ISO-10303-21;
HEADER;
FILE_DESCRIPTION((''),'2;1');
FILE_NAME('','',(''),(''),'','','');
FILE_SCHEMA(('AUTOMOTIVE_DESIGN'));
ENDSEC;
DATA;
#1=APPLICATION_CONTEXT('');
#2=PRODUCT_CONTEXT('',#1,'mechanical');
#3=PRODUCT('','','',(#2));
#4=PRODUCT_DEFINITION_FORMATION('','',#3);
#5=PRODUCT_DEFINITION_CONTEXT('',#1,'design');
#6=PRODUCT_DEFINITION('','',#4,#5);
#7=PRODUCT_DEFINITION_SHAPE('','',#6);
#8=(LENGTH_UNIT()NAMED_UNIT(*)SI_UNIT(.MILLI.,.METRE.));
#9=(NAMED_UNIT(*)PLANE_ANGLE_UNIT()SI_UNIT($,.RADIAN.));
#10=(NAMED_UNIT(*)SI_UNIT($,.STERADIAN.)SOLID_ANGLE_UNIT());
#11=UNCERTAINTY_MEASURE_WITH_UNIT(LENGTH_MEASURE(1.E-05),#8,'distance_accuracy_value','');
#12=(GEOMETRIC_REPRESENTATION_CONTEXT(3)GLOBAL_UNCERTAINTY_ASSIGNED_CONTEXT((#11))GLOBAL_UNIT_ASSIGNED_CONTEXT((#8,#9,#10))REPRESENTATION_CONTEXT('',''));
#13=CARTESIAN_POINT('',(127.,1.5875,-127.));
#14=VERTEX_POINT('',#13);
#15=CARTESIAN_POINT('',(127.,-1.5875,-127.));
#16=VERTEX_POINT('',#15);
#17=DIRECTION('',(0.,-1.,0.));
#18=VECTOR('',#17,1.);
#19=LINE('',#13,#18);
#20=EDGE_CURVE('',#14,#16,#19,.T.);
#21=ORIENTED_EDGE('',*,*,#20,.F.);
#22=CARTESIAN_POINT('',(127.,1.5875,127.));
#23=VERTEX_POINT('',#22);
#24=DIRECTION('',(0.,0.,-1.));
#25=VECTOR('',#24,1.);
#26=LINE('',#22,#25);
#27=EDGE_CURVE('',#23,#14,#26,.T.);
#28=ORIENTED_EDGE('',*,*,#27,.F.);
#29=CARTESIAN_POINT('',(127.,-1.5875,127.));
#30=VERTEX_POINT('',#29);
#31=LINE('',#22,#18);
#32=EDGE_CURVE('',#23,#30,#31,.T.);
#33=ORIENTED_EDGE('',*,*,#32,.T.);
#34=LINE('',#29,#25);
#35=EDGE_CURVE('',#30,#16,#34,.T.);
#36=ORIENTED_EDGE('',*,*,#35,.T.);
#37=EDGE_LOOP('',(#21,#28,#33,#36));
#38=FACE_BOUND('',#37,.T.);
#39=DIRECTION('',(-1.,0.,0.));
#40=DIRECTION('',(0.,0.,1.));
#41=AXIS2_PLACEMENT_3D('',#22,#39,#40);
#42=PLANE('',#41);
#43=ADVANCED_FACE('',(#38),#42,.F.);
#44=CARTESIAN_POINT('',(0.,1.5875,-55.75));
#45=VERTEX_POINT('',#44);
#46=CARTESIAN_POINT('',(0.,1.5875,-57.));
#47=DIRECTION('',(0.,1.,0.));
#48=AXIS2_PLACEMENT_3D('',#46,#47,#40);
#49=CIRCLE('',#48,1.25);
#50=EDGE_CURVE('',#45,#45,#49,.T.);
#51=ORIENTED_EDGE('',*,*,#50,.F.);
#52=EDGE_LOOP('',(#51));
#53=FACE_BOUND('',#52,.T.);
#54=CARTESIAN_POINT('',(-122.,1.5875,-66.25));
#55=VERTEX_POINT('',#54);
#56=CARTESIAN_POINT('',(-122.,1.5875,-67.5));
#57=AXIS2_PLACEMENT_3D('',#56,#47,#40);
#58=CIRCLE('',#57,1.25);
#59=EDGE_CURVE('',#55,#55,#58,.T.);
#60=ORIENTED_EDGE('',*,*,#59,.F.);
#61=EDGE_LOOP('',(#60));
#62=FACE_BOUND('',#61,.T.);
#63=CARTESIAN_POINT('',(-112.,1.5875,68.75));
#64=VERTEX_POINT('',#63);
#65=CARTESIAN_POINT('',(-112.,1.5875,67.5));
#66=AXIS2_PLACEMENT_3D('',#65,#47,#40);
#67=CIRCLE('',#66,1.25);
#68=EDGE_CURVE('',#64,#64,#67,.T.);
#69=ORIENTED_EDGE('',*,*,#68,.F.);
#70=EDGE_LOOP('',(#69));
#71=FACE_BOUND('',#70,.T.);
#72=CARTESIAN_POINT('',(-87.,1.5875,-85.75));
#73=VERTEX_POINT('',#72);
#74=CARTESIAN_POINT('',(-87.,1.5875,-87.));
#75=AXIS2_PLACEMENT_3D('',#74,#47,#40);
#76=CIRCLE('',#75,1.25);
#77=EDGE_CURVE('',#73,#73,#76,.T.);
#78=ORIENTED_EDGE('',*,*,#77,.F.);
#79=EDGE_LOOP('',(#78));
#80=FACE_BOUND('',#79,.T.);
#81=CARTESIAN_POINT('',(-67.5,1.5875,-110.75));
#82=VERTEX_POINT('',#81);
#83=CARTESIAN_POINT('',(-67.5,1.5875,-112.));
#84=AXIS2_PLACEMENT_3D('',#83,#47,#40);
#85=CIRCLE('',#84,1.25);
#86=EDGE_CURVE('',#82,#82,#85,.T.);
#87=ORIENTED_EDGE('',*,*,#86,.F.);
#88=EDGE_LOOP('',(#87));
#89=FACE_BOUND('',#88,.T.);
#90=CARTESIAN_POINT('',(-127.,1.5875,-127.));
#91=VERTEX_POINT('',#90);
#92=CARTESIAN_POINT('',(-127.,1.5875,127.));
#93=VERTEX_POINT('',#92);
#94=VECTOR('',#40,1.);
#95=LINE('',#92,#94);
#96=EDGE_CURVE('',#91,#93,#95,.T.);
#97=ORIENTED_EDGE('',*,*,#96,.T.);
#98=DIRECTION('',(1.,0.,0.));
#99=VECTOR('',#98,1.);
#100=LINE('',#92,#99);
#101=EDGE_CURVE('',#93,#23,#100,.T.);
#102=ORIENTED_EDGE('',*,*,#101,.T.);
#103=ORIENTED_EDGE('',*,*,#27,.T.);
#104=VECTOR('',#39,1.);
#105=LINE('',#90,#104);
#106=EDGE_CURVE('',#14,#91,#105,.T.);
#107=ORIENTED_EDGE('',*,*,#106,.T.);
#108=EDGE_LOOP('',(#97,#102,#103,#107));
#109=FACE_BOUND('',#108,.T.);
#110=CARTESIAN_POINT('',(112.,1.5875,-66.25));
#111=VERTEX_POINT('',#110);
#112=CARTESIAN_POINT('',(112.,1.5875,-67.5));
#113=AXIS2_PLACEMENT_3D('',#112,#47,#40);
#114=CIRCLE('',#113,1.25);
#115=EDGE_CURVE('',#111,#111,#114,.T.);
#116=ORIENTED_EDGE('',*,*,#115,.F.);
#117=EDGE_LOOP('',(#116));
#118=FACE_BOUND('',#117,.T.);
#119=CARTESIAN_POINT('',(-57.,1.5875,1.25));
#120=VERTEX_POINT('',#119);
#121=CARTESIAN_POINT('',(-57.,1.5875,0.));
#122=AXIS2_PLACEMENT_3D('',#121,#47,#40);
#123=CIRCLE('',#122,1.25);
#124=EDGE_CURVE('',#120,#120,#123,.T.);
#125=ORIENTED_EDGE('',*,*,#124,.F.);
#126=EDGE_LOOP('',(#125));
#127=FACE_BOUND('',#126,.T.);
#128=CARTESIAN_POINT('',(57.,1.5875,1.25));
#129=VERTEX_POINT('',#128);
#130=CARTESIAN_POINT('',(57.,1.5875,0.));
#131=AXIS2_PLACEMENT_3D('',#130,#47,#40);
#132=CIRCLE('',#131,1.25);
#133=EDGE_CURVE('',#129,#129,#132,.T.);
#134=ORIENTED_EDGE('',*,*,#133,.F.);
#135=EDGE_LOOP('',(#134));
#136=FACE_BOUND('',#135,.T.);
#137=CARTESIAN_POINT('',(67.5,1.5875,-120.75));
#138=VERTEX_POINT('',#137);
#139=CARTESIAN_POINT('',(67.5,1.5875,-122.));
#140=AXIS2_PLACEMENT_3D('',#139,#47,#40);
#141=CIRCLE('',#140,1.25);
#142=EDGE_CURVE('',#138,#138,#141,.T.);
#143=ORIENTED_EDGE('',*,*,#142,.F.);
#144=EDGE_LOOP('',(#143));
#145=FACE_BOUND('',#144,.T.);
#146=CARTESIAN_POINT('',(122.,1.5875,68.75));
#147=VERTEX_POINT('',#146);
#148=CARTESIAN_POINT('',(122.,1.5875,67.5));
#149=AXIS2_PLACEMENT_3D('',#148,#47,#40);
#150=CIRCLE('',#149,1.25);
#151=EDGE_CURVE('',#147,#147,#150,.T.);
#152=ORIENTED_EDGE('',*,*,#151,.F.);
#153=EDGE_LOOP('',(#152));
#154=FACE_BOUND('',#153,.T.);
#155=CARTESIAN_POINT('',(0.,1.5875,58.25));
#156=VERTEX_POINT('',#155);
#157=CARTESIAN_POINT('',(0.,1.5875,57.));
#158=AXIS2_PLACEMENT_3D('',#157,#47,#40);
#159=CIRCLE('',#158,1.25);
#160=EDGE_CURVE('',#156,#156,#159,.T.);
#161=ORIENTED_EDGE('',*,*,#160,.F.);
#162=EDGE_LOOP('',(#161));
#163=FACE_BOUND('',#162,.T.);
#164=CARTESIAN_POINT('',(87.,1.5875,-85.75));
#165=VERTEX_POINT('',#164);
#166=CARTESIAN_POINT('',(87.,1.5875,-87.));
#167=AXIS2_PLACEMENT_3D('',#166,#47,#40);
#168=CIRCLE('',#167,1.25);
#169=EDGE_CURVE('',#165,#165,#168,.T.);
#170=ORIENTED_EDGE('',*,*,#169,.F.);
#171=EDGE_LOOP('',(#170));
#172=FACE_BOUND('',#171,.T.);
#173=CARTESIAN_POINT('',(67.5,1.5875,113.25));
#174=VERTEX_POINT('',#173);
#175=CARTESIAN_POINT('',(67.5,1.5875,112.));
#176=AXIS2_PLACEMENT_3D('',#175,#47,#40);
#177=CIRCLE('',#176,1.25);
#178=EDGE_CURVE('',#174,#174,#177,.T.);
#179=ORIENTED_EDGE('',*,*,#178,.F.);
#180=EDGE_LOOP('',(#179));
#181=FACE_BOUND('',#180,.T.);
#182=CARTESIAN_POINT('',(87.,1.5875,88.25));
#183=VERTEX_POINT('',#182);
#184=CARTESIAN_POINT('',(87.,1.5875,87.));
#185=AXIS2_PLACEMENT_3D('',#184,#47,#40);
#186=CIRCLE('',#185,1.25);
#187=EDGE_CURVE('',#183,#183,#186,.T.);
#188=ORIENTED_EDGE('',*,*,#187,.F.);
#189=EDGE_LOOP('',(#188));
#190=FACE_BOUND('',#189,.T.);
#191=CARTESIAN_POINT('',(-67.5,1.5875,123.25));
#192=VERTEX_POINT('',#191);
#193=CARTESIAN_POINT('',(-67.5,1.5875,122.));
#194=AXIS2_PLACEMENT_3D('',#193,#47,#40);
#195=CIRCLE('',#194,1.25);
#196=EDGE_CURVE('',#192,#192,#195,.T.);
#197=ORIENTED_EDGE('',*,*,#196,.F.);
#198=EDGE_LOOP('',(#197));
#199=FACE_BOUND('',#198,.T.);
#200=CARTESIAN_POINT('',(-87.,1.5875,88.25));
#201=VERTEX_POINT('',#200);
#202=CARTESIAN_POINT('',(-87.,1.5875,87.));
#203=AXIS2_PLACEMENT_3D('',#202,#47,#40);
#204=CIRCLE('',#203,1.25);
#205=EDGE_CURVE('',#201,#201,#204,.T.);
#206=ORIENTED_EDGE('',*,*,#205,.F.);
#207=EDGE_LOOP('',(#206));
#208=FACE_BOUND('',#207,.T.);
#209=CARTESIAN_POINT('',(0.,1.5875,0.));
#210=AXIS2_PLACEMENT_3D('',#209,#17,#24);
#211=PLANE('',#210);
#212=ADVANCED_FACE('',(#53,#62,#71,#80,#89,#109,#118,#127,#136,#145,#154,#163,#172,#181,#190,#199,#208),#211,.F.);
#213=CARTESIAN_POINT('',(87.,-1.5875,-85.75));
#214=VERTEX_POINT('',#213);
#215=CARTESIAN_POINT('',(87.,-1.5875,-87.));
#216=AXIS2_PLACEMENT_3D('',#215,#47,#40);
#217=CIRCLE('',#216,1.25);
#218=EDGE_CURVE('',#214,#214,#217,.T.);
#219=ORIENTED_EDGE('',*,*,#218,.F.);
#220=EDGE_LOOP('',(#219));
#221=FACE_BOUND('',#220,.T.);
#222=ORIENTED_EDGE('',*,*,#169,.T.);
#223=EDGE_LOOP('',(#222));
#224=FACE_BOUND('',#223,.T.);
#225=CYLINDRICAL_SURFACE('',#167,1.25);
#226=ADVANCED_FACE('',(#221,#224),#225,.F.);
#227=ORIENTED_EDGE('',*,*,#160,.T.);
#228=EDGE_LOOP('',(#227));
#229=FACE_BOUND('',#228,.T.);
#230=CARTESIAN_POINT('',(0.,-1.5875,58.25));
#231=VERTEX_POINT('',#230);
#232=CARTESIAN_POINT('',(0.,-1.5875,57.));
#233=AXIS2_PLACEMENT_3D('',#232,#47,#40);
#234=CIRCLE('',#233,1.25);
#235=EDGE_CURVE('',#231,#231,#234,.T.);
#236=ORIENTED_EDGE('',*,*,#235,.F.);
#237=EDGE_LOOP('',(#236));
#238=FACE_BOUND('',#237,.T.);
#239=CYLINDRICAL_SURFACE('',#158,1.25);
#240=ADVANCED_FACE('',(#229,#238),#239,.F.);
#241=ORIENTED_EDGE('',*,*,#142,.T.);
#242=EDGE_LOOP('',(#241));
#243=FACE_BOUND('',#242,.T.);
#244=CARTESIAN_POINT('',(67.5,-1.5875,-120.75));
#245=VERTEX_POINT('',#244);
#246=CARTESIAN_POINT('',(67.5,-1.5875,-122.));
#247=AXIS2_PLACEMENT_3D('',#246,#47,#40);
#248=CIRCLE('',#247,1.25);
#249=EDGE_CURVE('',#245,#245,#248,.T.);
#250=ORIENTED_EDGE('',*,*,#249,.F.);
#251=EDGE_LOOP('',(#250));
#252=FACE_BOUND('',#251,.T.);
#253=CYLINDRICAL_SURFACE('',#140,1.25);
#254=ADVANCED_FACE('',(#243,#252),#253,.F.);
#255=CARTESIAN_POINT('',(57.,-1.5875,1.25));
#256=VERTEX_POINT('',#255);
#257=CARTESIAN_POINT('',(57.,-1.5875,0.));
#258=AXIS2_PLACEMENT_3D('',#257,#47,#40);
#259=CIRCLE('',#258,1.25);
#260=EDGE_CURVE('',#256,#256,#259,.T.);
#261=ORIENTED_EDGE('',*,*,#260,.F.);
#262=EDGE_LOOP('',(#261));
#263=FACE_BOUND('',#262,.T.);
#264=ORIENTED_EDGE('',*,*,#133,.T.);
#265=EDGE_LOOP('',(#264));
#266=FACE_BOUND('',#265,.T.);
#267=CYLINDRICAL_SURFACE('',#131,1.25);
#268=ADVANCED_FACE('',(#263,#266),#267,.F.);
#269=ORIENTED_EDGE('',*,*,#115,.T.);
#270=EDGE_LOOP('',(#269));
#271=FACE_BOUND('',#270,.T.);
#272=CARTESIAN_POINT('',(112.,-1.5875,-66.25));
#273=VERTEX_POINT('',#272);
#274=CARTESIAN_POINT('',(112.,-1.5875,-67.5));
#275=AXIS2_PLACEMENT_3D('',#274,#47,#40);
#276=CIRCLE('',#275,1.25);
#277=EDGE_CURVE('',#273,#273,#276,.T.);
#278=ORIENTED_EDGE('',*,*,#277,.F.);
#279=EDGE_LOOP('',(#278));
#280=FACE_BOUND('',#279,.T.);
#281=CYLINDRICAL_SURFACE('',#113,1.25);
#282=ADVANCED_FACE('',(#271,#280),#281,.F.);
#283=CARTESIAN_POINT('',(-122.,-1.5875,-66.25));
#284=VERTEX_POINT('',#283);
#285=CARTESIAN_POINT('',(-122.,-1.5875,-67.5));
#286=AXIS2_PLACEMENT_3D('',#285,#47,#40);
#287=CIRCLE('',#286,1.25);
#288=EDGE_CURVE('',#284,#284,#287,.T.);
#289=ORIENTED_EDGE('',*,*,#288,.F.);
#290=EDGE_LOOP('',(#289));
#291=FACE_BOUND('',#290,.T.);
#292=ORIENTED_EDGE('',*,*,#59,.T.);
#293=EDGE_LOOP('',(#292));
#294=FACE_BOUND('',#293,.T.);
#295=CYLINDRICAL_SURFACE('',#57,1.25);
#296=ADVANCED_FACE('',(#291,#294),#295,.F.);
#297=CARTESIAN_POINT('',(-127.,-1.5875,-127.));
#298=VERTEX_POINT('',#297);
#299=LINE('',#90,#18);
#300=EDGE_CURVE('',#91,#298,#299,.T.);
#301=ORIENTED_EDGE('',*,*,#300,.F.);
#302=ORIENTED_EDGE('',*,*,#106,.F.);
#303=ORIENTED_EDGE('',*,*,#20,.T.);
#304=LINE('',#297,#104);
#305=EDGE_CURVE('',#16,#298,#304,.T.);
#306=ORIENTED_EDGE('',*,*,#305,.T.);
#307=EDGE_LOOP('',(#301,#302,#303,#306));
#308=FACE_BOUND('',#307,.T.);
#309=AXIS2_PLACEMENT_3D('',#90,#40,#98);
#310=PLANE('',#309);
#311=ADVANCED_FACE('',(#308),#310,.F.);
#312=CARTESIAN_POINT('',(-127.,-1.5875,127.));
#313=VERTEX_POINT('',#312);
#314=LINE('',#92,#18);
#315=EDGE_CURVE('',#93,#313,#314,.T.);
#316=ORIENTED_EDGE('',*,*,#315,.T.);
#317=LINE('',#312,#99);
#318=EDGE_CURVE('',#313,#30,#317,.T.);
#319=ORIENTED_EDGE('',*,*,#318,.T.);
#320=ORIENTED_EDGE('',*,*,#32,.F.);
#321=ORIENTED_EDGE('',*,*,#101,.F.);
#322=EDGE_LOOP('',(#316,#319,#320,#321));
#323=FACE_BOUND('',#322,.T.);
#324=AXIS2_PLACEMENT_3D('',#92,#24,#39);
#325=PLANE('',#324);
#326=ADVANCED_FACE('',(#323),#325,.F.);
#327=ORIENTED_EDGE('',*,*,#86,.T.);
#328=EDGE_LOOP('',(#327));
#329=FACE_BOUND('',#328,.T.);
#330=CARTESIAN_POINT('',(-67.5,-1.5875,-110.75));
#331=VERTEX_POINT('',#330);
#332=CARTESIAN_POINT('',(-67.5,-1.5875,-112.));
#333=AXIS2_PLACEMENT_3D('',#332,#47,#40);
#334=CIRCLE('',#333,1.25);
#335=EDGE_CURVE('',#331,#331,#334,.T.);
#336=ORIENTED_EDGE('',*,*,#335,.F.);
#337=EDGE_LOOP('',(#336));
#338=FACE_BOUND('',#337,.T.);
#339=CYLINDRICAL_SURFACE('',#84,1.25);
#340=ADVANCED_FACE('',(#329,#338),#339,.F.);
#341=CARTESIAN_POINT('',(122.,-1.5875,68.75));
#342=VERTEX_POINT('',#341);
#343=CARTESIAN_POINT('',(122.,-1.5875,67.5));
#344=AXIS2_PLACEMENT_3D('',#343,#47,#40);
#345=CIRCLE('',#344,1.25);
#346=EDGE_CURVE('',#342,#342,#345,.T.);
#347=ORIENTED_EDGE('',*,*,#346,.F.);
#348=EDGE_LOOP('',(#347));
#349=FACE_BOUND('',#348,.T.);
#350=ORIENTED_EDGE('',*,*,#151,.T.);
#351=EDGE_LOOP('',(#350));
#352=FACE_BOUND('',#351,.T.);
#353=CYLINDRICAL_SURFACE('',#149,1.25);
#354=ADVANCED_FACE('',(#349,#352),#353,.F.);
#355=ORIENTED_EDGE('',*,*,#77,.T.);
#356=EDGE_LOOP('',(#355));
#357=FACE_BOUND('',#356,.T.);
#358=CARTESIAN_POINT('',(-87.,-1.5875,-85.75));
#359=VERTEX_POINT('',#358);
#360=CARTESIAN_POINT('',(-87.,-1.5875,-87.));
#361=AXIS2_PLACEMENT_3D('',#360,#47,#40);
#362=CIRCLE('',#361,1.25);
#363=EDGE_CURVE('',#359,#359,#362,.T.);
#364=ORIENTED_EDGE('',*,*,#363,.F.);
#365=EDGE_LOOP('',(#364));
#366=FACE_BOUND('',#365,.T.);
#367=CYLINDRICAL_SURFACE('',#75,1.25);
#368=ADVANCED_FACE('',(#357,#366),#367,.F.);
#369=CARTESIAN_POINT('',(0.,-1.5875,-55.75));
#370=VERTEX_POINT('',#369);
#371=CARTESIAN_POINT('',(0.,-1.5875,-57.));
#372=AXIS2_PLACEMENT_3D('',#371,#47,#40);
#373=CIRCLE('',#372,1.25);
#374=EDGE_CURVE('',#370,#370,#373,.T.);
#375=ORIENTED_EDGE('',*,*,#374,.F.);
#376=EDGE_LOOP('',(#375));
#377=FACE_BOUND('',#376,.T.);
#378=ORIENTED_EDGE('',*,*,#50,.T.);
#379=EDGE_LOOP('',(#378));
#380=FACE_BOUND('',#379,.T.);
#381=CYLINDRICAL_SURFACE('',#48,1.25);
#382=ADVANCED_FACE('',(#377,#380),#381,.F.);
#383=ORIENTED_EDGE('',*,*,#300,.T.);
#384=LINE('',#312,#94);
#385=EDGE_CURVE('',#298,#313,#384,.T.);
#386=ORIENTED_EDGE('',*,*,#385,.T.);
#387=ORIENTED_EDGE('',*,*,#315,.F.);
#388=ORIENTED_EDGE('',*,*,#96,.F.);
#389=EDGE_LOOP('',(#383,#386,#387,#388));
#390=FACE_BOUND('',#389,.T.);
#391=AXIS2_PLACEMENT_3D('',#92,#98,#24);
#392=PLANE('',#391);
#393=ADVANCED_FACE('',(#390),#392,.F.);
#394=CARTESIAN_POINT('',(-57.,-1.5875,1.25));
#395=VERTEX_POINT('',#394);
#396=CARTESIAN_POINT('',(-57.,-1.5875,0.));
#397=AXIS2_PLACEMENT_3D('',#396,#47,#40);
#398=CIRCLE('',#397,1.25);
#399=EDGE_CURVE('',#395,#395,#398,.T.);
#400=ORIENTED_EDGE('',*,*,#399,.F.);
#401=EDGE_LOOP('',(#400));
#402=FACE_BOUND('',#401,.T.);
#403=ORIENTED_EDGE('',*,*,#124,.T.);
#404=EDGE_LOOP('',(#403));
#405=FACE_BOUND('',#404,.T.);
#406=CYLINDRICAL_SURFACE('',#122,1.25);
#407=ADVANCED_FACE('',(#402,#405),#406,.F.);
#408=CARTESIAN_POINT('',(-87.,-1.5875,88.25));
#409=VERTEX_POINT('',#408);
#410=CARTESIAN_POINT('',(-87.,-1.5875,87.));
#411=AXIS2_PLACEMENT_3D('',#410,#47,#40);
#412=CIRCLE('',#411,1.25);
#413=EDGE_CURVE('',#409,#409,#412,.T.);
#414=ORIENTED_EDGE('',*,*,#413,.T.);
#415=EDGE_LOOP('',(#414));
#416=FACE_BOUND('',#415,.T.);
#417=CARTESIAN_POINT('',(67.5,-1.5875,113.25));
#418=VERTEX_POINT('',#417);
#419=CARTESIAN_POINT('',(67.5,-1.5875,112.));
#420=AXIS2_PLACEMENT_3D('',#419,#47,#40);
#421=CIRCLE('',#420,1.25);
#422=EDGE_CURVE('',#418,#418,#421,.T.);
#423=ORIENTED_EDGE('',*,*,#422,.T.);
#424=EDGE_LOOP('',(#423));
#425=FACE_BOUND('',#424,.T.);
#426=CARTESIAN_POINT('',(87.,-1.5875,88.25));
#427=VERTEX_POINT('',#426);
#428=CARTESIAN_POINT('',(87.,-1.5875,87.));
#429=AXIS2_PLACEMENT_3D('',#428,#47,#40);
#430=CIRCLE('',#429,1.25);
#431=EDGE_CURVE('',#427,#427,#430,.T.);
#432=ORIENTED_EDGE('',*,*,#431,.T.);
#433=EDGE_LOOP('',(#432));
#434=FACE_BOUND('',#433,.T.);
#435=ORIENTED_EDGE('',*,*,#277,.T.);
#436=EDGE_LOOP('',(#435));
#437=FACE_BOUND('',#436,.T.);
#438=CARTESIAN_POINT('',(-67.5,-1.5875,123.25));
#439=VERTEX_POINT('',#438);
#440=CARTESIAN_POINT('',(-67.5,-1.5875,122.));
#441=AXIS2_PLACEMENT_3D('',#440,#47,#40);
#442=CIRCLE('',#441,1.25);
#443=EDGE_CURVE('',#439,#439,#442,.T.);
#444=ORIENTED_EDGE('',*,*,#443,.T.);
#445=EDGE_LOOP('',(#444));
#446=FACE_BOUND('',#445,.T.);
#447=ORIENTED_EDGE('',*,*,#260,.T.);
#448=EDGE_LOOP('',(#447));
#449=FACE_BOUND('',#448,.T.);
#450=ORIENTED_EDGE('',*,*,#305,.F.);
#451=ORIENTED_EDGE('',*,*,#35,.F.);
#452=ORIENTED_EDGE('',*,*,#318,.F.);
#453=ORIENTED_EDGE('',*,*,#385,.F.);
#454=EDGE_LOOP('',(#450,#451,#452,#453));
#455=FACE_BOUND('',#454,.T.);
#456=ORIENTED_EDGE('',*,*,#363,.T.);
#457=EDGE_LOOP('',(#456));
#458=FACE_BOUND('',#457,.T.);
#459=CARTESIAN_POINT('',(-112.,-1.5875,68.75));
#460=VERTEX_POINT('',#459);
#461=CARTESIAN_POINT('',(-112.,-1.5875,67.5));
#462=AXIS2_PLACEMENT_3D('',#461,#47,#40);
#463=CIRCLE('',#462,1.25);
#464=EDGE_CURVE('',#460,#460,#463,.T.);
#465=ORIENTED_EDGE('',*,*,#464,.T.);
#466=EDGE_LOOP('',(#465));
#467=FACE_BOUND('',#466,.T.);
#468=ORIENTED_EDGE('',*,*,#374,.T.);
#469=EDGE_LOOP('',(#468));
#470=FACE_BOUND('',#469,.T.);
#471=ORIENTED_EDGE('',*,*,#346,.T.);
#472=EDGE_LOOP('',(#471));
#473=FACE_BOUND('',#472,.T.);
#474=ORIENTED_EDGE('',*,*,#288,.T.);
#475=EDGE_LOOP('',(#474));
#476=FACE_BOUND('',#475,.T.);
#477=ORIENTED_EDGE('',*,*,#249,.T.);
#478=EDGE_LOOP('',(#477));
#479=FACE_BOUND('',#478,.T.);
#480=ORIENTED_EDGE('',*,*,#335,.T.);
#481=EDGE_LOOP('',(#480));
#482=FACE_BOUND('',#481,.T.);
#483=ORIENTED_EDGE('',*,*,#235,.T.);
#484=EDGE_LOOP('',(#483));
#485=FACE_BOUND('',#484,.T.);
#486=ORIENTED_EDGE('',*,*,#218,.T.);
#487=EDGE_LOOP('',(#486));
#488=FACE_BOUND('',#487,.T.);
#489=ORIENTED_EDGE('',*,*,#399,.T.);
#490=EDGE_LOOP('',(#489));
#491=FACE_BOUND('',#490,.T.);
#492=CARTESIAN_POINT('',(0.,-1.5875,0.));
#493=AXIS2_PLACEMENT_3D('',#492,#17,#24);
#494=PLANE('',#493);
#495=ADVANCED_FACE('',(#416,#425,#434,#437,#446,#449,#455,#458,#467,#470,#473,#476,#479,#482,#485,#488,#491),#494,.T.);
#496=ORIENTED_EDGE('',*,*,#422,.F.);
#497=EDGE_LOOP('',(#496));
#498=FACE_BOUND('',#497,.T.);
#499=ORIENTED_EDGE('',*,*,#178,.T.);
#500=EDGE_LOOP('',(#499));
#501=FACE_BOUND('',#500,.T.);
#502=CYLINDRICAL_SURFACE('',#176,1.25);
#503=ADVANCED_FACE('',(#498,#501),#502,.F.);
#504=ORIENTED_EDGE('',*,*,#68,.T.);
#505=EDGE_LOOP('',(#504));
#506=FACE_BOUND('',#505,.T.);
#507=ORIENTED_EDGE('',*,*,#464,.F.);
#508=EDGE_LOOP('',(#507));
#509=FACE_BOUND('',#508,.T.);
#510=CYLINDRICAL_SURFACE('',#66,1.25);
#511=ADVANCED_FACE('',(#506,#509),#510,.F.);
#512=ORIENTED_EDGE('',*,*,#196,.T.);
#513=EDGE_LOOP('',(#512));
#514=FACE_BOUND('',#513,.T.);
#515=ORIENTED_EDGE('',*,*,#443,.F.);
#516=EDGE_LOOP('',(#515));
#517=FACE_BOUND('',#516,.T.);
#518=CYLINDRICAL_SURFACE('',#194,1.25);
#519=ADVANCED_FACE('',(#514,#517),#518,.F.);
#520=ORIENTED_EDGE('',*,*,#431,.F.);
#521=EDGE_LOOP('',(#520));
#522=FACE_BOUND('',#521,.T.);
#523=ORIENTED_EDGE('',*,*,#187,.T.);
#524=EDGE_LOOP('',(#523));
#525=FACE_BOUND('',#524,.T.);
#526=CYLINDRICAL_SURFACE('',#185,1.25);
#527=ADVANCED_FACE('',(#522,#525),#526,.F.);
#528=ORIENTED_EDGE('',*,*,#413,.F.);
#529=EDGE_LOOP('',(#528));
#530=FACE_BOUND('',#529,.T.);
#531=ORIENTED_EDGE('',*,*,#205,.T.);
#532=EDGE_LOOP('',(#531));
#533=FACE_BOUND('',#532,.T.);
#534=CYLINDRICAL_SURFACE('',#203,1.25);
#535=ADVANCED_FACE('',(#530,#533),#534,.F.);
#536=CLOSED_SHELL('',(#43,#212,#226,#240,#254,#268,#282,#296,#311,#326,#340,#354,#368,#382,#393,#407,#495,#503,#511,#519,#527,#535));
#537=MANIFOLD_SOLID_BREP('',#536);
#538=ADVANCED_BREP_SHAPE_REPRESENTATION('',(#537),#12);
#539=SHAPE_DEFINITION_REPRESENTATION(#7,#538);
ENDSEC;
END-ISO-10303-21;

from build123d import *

# Parameters (mm, degrees)
SKETCH1_W             = 254
SKETCH1_H             = 254
BOSS_EXTRUDE1_DEPTH   = 1.5875
M3X0_5_TAPPED_HOLE1_D = 2.5
M3X0_5_TAPPED_HOLE3_D = 2.5


with BuildPart() as part:
    # Sketch1 → Boss-Extrude1 (new, symmetric)
    with BuildSketch(Plane(origin=(0, 0, 0), x_dir=(1, 0, 0), z_dir=(0, 1, 0))):
        Rectangle(SKETCH1_W, SKETCH1_H)
    extrude(amount=BOSS_EXTRUDE1_DEPTH, both=True)

    # M3x0.5 Tapped Hole1 (through all)
    with Locations(Plane(origin=(0, 1.5875, 0), x_dir=(1, 0, 0), z_dir=(0, 1, 0))):
        with Locations((112, 67.5), (67.5, 122), (-67.5, 112), (-122, 67.5), (-112, -67.5), (-67.5, -122), (67.5, -112), (122, -67.5)):
            Hole(M3X0_5_TAPPED_HOLE1_D / 2)

    # M3x0.5 Tapped Hole3 (through all)
    with Locations(Plane(origin=(0, 1.5875, 0), x_dir=(1, 0, 0), z_dir=(0, 1, 0))):
        with Locations((0, 57), (-57, 0), (0, -57), (57, 0), (87, 87), (-87, 87), (-87, -87), (87, -87)):
            Hole(M3X0_5_TAPPED_HOLE3_D / 2)


solid = part.part
